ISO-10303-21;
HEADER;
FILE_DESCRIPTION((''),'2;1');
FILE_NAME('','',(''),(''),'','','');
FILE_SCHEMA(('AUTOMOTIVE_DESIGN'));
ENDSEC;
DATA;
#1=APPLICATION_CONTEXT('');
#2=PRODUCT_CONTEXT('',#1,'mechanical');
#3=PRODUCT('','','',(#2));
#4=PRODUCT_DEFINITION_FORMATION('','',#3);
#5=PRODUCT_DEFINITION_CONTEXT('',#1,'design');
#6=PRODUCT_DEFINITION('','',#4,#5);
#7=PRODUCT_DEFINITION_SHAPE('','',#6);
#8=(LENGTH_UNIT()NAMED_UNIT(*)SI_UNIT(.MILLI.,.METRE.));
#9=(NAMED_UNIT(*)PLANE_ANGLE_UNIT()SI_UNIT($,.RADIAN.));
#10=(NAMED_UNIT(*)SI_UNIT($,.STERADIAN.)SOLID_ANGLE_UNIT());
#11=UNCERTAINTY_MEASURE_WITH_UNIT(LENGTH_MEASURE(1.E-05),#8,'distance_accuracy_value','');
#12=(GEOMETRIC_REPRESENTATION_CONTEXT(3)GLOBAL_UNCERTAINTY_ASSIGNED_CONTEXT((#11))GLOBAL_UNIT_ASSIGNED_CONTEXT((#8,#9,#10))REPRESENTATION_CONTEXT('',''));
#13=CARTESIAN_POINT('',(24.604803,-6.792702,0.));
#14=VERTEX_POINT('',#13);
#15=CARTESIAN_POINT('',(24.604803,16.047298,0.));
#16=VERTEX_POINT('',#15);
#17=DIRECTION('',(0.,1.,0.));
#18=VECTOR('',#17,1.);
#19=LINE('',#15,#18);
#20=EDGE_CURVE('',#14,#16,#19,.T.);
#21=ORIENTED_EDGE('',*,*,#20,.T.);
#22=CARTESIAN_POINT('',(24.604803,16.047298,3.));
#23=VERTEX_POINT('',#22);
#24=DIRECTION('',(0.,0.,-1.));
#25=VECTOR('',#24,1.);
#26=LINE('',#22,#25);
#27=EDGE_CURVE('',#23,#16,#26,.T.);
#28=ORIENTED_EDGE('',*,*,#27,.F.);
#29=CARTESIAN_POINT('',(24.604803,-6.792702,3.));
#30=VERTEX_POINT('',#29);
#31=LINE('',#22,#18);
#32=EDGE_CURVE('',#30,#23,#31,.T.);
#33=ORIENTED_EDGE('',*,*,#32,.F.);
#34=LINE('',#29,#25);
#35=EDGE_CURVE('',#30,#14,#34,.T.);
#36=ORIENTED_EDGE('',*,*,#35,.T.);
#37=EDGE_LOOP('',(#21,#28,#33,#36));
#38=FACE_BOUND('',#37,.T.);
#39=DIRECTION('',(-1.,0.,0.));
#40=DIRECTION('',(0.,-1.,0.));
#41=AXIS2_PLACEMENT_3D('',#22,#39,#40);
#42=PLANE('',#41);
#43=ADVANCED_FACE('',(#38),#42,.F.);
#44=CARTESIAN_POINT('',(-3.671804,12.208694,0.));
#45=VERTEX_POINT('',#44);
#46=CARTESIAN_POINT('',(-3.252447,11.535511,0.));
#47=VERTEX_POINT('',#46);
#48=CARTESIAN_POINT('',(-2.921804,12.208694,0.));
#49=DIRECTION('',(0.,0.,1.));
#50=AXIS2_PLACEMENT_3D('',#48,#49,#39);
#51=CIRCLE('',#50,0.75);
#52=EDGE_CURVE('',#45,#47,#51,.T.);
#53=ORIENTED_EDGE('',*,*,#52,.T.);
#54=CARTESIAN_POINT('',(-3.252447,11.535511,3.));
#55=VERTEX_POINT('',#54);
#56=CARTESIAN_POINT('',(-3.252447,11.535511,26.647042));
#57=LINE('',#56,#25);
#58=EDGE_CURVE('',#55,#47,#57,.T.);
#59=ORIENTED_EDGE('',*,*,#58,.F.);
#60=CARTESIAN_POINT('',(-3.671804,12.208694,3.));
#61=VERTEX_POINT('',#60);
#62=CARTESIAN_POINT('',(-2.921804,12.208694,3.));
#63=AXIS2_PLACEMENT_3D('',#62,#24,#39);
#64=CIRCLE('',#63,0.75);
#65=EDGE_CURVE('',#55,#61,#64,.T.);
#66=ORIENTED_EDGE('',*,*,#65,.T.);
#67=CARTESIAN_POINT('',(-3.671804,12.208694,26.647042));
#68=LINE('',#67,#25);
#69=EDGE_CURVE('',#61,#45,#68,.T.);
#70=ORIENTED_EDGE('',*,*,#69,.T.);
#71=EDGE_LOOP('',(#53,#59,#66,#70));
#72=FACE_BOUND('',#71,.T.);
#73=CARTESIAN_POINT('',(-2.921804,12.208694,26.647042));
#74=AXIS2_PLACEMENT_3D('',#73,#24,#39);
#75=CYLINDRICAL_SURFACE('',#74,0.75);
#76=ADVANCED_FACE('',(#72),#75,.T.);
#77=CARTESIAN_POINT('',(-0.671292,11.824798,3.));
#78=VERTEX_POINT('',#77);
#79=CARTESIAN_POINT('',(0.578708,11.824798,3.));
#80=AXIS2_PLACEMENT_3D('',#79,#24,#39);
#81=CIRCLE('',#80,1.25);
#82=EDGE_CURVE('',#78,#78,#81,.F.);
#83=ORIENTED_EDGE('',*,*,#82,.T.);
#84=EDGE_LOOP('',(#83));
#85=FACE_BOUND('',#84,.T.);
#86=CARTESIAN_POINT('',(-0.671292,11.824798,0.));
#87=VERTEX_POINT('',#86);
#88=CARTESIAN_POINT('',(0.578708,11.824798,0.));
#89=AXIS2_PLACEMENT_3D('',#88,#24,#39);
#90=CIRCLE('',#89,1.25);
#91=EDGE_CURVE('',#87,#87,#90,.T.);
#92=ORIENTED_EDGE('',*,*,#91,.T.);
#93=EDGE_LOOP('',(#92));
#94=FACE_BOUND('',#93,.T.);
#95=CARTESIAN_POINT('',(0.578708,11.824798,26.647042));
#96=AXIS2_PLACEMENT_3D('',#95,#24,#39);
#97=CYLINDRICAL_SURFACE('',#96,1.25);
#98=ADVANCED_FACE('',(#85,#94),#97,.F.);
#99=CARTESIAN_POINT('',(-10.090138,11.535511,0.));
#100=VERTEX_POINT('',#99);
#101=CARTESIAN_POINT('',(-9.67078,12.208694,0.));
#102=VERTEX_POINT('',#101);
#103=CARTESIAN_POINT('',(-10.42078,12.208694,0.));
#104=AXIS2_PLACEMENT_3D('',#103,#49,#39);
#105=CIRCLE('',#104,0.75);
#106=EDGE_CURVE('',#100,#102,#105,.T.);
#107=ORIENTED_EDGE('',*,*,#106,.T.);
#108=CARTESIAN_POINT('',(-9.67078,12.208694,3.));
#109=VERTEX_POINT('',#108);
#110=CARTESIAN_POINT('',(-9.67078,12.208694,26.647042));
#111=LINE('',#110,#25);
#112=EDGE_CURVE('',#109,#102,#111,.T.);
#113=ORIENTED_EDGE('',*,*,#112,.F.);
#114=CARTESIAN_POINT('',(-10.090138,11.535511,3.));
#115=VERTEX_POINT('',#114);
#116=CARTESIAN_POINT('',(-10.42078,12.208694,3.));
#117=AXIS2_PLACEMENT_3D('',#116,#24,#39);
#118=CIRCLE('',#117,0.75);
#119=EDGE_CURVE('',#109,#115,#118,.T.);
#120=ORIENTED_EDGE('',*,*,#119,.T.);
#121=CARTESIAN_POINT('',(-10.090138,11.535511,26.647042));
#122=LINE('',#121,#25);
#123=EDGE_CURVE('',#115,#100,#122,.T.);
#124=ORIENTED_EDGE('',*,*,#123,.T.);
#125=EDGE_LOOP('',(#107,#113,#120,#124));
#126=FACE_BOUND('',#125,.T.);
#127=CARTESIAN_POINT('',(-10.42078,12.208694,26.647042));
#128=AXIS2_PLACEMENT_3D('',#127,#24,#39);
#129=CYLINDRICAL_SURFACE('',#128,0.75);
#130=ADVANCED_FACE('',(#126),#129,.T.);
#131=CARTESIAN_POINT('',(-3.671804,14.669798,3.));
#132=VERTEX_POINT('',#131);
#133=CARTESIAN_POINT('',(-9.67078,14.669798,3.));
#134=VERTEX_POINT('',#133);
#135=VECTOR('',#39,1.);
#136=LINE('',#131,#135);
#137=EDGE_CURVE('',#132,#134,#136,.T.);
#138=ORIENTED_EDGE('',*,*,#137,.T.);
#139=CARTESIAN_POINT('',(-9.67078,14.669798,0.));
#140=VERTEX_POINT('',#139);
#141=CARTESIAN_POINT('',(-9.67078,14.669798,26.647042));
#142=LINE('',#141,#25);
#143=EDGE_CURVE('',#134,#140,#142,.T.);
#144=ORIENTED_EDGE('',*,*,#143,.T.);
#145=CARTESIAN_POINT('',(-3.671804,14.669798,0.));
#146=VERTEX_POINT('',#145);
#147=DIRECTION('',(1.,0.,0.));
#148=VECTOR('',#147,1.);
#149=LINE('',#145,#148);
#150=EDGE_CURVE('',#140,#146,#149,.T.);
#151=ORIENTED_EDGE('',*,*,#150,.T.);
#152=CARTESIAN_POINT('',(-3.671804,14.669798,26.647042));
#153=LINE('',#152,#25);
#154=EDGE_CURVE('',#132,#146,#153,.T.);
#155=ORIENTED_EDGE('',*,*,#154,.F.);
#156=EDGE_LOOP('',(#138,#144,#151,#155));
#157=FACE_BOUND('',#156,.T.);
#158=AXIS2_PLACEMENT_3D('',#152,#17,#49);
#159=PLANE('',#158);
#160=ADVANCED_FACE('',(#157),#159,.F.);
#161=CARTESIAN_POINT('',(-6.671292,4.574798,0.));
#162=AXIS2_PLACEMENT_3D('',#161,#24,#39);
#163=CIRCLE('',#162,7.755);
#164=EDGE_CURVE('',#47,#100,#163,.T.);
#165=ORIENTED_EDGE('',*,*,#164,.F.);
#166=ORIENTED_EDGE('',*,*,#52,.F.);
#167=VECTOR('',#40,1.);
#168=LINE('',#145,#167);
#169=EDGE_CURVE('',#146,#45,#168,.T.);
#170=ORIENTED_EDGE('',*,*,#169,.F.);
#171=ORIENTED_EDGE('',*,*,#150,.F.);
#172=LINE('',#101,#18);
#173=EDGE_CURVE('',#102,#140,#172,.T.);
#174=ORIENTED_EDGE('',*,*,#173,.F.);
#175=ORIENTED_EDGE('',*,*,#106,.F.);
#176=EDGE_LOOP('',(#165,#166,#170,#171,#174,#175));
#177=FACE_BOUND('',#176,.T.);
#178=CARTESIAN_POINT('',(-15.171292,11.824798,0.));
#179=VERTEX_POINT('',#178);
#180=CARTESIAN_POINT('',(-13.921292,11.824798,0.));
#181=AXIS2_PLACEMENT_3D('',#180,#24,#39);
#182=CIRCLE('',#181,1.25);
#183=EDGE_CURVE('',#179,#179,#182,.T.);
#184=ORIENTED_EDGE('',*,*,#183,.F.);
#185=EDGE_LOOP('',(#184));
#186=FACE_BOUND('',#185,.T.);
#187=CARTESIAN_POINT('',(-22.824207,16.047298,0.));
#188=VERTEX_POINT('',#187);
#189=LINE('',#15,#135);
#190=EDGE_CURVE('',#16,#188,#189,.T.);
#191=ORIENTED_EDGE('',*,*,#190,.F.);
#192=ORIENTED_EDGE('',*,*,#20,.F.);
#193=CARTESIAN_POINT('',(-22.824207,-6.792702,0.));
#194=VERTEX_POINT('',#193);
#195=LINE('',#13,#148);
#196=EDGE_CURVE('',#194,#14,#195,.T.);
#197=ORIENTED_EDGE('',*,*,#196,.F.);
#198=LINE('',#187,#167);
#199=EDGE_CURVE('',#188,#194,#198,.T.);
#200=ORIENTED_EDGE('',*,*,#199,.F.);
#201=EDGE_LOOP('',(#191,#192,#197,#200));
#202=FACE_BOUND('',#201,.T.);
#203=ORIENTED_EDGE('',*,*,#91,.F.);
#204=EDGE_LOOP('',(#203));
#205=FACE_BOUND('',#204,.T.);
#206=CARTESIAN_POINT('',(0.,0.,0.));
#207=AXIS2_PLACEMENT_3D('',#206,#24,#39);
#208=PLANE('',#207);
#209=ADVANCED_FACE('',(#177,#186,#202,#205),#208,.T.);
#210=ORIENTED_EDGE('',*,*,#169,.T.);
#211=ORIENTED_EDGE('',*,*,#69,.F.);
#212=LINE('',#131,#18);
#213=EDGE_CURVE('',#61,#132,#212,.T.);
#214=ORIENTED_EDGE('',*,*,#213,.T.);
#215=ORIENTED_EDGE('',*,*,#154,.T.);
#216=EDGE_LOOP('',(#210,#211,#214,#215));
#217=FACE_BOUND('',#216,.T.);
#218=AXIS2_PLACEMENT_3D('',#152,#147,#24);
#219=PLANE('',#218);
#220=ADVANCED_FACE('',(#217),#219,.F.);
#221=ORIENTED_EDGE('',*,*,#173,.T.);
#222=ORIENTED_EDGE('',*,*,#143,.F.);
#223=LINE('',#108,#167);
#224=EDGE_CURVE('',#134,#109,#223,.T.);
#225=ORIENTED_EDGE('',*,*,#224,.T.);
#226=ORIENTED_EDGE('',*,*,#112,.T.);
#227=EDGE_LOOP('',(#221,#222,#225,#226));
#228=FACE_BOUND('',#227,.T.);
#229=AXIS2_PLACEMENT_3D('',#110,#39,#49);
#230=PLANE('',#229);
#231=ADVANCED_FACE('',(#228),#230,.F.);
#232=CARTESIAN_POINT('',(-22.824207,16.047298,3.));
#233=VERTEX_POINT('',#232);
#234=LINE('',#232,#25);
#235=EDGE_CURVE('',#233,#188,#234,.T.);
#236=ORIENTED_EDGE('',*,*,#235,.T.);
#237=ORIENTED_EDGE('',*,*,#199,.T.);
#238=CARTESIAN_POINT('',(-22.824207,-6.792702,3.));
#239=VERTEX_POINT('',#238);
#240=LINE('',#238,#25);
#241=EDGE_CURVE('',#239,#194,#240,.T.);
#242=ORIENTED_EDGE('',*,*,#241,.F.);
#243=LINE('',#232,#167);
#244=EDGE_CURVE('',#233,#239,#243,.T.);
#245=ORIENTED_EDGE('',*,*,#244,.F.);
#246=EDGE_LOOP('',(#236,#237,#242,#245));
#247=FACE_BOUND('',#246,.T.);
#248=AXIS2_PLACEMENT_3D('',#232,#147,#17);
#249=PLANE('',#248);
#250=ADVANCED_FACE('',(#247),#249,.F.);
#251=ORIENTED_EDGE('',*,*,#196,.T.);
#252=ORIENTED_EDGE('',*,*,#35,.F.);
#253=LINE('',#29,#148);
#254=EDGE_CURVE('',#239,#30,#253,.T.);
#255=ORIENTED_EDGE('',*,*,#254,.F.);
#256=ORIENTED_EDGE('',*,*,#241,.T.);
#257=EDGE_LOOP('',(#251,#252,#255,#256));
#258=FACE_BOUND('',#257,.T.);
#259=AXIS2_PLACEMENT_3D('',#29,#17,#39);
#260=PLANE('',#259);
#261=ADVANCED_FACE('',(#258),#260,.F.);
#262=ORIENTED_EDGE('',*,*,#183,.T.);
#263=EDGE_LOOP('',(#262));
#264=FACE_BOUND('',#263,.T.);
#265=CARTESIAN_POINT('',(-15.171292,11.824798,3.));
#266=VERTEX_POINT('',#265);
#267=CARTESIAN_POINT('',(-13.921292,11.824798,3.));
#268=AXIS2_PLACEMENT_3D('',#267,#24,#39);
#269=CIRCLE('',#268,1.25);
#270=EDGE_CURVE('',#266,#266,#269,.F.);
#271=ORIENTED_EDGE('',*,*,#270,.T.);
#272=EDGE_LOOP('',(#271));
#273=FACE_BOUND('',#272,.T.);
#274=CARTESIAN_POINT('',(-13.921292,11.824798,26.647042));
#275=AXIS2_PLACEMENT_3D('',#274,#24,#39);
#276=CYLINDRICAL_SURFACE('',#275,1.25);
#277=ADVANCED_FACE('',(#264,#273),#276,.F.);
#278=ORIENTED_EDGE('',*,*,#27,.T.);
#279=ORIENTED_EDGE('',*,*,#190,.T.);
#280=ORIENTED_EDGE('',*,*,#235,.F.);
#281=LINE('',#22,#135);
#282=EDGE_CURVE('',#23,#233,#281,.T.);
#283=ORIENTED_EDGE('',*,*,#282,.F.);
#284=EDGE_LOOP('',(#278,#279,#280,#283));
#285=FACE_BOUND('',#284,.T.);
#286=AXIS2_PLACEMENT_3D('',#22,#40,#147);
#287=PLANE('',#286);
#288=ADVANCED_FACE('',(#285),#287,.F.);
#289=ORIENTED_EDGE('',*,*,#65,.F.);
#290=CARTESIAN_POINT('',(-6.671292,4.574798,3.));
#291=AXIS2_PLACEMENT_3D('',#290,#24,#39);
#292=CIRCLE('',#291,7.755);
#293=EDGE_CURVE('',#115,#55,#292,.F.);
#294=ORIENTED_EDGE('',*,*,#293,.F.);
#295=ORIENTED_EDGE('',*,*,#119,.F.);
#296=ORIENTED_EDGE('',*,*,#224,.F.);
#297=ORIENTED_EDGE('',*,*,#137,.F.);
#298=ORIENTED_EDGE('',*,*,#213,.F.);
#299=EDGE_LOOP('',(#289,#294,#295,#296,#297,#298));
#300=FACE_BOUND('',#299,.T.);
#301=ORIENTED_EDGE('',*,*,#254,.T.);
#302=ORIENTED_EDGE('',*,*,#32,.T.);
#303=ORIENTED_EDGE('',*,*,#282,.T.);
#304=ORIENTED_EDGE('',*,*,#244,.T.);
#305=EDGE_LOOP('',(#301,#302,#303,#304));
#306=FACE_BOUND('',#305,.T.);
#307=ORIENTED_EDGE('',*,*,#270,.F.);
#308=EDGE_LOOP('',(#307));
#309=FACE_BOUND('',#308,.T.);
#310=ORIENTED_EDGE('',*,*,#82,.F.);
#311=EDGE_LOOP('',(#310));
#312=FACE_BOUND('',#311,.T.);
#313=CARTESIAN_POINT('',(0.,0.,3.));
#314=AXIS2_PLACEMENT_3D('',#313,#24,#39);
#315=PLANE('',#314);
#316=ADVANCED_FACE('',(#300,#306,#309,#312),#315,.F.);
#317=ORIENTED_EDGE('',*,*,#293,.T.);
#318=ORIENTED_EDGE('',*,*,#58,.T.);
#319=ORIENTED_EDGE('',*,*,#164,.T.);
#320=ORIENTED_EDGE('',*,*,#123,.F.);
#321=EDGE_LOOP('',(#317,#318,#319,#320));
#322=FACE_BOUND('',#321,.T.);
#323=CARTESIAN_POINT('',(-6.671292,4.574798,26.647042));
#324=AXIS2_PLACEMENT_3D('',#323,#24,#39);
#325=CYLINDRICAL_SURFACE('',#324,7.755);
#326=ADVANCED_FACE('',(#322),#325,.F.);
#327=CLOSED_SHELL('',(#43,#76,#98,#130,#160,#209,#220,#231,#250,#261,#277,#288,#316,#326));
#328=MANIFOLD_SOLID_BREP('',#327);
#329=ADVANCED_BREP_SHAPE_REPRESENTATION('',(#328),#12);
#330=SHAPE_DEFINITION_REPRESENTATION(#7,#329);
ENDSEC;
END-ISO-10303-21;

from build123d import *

# Parameters (mm, degrees)
SKETCH1_W           = 47.429010539
SKETCH1_H           = 22.84
BOSS_EXTRUDE1_DEPTH = 3
SKETCH2_R           = 1.25
CUT_EXTRUDE1_DEPTH  = 3


with BuildPart() as part:
    # Sketch1 → Boss-Extrude1 (new body)
    with BuildSketch(Plane.XY):
        with Locations((0.890297776, 4.627297895)):
            Rectangle(SKETCH1_W, SKETCH1_H)
    extrude(amount=BOSS_EXTRUDE1_DEPTH)

    # Sketch2 → Cut-Extrude1 (cut)
    with BuildSketch(Plane(origin=(0, 0, 0), x_dir=(-1, 0, 0), z_dir=(0, 0, -1))):
        with Locations((-0.578707914, 11.824797895)):
            Circle(SKETCH2_R)
        with Locations((13.921292086, 11.824797895)):
            Circle(SKETCH2_R)
        with BuildLine():
            Line((3.671803832, 14.669797895), (9.67078034, 14.669797895))
            Line((9.67078034, 14.669797895), (9.67078034, 12.208693547))
            ThreePointArc((9.67078034, 12.208693547), (9.784194907, 11.812134615), (10.090137637, 11.535510509))
            ThreePointArc((10.090137637, 11.535510509), (6.671292086, -3.180202105), (3.252446535, 11.535510509))
            ThreePointArc((3.252446535, 11.535510509), (3.558389265, 11.812134615), (3.671803832, 12.208693547))
            Line((3.671803832, 12.208693547), (3.671803832, 14.669797895))
        make_face()
    extrude(amount=-CUT_EXTRUDE1_DEPTH, mode=Mode.SUBTRACT)


solid = part.part
